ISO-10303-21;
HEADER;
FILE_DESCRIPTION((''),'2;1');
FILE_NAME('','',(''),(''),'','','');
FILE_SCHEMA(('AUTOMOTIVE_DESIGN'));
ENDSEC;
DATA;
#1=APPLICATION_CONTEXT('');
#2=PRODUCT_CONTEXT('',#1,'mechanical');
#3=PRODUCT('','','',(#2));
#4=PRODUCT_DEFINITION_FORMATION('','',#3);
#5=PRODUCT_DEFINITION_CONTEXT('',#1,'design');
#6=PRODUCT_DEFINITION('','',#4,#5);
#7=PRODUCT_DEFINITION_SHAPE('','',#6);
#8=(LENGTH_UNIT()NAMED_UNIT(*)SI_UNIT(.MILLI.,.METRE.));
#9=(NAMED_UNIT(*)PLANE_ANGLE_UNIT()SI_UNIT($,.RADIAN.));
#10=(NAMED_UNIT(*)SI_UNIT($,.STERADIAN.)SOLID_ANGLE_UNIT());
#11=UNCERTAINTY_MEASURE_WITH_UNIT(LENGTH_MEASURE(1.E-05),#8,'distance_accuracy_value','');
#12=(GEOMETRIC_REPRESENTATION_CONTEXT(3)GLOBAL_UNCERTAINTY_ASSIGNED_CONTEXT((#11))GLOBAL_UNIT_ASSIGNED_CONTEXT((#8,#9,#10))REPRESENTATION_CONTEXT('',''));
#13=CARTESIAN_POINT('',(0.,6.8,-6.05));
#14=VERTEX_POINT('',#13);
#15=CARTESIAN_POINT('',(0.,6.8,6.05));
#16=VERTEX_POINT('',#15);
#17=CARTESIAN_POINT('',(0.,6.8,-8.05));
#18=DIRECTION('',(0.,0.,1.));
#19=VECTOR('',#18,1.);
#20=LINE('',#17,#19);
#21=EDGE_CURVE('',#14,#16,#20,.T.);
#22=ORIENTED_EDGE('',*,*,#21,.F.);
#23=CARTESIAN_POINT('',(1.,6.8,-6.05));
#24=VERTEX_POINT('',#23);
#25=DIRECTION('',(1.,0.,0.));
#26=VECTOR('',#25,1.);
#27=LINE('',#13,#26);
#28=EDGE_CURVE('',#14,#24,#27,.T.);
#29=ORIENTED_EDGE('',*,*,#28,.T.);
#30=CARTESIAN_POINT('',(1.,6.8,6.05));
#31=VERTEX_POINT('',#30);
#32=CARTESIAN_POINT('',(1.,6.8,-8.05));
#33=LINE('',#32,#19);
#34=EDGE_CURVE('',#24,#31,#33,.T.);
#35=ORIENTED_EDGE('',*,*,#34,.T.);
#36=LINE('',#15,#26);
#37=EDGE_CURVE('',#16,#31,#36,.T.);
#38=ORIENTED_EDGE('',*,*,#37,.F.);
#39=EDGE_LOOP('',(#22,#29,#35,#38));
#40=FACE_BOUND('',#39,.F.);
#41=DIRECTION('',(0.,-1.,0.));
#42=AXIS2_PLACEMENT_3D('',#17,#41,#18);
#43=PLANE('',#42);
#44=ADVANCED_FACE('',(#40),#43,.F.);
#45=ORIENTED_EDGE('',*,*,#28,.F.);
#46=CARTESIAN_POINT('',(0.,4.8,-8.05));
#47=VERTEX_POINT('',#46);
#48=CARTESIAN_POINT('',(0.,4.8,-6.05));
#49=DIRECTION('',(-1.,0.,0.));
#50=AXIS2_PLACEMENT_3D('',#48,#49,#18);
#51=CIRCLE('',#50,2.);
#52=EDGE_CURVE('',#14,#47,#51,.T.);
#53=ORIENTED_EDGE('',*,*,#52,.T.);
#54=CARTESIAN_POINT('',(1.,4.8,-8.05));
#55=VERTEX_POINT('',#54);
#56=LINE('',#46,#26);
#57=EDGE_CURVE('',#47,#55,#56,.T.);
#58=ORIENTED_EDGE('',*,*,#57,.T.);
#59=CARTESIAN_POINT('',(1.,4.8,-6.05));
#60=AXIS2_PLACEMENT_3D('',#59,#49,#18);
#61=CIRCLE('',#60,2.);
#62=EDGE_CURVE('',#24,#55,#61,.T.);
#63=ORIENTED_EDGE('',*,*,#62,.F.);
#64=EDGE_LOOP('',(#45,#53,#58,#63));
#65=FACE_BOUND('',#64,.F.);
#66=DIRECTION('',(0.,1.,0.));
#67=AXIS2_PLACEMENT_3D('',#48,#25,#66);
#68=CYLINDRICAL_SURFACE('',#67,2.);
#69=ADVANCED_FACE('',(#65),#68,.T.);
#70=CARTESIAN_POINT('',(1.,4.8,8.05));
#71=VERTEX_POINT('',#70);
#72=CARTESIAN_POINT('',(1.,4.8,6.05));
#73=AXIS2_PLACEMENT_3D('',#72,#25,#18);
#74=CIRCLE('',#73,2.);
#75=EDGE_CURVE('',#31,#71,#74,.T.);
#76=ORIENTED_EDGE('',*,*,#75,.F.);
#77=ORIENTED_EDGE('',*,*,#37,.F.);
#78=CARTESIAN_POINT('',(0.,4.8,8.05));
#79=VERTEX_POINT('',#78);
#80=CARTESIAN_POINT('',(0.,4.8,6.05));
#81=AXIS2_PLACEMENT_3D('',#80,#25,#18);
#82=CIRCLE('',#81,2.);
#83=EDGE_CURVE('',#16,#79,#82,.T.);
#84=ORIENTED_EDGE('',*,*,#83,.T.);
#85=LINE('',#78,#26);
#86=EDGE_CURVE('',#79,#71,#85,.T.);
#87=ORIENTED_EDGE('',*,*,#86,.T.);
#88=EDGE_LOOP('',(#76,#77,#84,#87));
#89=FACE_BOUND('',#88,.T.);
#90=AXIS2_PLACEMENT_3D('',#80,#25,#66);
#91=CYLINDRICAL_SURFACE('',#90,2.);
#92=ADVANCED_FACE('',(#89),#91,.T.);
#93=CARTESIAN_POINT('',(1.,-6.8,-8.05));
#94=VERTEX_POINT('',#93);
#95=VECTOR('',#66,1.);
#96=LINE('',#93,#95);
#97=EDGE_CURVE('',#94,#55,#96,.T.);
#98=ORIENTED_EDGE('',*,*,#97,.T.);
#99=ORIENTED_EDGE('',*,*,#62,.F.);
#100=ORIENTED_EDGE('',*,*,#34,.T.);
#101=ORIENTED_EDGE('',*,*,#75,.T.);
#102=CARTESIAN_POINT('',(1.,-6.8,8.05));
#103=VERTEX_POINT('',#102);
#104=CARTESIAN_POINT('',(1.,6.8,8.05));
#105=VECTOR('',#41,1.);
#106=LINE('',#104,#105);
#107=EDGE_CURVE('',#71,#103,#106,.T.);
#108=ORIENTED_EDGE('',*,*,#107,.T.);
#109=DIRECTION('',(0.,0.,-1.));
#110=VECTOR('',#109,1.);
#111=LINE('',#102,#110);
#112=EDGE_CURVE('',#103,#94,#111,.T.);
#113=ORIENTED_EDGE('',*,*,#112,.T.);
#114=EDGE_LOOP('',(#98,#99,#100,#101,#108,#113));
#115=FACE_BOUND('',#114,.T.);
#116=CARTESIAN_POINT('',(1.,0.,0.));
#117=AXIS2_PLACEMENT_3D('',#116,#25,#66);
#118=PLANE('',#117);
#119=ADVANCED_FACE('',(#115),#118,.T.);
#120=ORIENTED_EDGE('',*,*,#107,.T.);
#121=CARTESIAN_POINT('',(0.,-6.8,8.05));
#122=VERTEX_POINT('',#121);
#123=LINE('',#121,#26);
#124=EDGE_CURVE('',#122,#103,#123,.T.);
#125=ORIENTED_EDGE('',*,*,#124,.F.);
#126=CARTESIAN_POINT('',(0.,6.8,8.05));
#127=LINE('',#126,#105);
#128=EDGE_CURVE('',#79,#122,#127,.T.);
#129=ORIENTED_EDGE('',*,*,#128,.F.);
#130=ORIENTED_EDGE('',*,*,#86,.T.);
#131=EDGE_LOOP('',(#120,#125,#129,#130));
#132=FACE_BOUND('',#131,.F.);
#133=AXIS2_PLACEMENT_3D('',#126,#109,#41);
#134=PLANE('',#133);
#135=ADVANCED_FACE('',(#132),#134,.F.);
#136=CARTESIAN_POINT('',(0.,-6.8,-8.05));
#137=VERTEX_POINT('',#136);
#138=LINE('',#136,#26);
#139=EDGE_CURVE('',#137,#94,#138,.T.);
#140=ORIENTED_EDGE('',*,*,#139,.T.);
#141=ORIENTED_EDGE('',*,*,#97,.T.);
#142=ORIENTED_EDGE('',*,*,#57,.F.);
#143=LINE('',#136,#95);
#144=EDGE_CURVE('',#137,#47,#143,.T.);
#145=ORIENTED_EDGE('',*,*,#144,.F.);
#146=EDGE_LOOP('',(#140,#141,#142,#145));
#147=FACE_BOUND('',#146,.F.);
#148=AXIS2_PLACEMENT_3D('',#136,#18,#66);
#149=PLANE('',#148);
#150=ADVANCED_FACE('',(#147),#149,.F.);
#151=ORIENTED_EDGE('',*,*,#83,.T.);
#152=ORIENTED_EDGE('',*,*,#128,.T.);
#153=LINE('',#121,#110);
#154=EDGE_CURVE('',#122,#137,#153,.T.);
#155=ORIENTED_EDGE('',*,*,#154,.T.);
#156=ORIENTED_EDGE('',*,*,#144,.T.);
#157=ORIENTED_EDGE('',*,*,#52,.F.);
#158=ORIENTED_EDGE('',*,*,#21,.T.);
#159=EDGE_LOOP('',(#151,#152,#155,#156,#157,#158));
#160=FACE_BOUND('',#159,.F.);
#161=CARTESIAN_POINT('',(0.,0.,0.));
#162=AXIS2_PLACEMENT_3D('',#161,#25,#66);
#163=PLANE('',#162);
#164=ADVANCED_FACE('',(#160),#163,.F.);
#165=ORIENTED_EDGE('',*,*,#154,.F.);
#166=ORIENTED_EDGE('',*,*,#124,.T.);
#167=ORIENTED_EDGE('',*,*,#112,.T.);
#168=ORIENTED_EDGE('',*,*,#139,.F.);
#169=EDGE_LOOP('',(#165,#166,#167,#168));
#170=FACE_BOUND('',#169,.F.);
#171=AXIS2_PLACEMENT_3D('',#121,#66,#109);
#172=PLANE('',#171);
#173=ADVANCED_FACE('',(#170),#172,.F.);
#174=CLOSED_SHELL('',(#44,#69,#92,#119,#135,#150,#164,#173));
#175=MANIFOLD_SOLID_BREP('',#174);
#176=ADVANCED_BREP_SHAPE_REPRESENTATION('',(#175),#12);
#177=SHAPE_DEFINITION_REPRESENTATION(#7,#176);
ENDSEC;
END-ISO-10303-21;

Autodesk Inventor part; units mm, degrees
ref_plane "YZ Plane" through (0, 0, 0) normal (1, 0, 0) x (0, 1, 0)
ref_plane "XZ Plane" through (0, 0, 0) normal (0, 1, 0) x (-1, 0, 0)
ref_plane "XY Plane" through (0, 0, 0) normal (0, 0, 1) x (1, 0, 0)
sketch "Sketch1" plane through (0, 0, 0) normal (1, 0, 0) x (0, 1, 0)
  line L0 (6.8, 8.05) -> (-6.8, 8.05)
  line L1 (-6.8, 8.05) -> (-6.8, -8.05)
  line L2 (-6.8, -8.05) -> (6.8, -8.05)
  line L3 (6.8, -8.05) -> (6.8, 8.05)
  point P0 (0, 0)
  dimension "d0" = 16.1
  dimension "d1" = 13.6
  dimension "d2" = 6.8
  dimension "d3" = 8.05
extrude "Extrusion1" add sketch "Sketch1" along normal blind 1
fillet "Fillet1" radius 2 2 edges at (0.5, 6.8, 8.05) (0.5, 6.8, -8.05)
equation "\"d2\" = 0.5 * d1"
equation "\"d3\" = 0.5 * d0"
properties part number "fingertip lid 5"
